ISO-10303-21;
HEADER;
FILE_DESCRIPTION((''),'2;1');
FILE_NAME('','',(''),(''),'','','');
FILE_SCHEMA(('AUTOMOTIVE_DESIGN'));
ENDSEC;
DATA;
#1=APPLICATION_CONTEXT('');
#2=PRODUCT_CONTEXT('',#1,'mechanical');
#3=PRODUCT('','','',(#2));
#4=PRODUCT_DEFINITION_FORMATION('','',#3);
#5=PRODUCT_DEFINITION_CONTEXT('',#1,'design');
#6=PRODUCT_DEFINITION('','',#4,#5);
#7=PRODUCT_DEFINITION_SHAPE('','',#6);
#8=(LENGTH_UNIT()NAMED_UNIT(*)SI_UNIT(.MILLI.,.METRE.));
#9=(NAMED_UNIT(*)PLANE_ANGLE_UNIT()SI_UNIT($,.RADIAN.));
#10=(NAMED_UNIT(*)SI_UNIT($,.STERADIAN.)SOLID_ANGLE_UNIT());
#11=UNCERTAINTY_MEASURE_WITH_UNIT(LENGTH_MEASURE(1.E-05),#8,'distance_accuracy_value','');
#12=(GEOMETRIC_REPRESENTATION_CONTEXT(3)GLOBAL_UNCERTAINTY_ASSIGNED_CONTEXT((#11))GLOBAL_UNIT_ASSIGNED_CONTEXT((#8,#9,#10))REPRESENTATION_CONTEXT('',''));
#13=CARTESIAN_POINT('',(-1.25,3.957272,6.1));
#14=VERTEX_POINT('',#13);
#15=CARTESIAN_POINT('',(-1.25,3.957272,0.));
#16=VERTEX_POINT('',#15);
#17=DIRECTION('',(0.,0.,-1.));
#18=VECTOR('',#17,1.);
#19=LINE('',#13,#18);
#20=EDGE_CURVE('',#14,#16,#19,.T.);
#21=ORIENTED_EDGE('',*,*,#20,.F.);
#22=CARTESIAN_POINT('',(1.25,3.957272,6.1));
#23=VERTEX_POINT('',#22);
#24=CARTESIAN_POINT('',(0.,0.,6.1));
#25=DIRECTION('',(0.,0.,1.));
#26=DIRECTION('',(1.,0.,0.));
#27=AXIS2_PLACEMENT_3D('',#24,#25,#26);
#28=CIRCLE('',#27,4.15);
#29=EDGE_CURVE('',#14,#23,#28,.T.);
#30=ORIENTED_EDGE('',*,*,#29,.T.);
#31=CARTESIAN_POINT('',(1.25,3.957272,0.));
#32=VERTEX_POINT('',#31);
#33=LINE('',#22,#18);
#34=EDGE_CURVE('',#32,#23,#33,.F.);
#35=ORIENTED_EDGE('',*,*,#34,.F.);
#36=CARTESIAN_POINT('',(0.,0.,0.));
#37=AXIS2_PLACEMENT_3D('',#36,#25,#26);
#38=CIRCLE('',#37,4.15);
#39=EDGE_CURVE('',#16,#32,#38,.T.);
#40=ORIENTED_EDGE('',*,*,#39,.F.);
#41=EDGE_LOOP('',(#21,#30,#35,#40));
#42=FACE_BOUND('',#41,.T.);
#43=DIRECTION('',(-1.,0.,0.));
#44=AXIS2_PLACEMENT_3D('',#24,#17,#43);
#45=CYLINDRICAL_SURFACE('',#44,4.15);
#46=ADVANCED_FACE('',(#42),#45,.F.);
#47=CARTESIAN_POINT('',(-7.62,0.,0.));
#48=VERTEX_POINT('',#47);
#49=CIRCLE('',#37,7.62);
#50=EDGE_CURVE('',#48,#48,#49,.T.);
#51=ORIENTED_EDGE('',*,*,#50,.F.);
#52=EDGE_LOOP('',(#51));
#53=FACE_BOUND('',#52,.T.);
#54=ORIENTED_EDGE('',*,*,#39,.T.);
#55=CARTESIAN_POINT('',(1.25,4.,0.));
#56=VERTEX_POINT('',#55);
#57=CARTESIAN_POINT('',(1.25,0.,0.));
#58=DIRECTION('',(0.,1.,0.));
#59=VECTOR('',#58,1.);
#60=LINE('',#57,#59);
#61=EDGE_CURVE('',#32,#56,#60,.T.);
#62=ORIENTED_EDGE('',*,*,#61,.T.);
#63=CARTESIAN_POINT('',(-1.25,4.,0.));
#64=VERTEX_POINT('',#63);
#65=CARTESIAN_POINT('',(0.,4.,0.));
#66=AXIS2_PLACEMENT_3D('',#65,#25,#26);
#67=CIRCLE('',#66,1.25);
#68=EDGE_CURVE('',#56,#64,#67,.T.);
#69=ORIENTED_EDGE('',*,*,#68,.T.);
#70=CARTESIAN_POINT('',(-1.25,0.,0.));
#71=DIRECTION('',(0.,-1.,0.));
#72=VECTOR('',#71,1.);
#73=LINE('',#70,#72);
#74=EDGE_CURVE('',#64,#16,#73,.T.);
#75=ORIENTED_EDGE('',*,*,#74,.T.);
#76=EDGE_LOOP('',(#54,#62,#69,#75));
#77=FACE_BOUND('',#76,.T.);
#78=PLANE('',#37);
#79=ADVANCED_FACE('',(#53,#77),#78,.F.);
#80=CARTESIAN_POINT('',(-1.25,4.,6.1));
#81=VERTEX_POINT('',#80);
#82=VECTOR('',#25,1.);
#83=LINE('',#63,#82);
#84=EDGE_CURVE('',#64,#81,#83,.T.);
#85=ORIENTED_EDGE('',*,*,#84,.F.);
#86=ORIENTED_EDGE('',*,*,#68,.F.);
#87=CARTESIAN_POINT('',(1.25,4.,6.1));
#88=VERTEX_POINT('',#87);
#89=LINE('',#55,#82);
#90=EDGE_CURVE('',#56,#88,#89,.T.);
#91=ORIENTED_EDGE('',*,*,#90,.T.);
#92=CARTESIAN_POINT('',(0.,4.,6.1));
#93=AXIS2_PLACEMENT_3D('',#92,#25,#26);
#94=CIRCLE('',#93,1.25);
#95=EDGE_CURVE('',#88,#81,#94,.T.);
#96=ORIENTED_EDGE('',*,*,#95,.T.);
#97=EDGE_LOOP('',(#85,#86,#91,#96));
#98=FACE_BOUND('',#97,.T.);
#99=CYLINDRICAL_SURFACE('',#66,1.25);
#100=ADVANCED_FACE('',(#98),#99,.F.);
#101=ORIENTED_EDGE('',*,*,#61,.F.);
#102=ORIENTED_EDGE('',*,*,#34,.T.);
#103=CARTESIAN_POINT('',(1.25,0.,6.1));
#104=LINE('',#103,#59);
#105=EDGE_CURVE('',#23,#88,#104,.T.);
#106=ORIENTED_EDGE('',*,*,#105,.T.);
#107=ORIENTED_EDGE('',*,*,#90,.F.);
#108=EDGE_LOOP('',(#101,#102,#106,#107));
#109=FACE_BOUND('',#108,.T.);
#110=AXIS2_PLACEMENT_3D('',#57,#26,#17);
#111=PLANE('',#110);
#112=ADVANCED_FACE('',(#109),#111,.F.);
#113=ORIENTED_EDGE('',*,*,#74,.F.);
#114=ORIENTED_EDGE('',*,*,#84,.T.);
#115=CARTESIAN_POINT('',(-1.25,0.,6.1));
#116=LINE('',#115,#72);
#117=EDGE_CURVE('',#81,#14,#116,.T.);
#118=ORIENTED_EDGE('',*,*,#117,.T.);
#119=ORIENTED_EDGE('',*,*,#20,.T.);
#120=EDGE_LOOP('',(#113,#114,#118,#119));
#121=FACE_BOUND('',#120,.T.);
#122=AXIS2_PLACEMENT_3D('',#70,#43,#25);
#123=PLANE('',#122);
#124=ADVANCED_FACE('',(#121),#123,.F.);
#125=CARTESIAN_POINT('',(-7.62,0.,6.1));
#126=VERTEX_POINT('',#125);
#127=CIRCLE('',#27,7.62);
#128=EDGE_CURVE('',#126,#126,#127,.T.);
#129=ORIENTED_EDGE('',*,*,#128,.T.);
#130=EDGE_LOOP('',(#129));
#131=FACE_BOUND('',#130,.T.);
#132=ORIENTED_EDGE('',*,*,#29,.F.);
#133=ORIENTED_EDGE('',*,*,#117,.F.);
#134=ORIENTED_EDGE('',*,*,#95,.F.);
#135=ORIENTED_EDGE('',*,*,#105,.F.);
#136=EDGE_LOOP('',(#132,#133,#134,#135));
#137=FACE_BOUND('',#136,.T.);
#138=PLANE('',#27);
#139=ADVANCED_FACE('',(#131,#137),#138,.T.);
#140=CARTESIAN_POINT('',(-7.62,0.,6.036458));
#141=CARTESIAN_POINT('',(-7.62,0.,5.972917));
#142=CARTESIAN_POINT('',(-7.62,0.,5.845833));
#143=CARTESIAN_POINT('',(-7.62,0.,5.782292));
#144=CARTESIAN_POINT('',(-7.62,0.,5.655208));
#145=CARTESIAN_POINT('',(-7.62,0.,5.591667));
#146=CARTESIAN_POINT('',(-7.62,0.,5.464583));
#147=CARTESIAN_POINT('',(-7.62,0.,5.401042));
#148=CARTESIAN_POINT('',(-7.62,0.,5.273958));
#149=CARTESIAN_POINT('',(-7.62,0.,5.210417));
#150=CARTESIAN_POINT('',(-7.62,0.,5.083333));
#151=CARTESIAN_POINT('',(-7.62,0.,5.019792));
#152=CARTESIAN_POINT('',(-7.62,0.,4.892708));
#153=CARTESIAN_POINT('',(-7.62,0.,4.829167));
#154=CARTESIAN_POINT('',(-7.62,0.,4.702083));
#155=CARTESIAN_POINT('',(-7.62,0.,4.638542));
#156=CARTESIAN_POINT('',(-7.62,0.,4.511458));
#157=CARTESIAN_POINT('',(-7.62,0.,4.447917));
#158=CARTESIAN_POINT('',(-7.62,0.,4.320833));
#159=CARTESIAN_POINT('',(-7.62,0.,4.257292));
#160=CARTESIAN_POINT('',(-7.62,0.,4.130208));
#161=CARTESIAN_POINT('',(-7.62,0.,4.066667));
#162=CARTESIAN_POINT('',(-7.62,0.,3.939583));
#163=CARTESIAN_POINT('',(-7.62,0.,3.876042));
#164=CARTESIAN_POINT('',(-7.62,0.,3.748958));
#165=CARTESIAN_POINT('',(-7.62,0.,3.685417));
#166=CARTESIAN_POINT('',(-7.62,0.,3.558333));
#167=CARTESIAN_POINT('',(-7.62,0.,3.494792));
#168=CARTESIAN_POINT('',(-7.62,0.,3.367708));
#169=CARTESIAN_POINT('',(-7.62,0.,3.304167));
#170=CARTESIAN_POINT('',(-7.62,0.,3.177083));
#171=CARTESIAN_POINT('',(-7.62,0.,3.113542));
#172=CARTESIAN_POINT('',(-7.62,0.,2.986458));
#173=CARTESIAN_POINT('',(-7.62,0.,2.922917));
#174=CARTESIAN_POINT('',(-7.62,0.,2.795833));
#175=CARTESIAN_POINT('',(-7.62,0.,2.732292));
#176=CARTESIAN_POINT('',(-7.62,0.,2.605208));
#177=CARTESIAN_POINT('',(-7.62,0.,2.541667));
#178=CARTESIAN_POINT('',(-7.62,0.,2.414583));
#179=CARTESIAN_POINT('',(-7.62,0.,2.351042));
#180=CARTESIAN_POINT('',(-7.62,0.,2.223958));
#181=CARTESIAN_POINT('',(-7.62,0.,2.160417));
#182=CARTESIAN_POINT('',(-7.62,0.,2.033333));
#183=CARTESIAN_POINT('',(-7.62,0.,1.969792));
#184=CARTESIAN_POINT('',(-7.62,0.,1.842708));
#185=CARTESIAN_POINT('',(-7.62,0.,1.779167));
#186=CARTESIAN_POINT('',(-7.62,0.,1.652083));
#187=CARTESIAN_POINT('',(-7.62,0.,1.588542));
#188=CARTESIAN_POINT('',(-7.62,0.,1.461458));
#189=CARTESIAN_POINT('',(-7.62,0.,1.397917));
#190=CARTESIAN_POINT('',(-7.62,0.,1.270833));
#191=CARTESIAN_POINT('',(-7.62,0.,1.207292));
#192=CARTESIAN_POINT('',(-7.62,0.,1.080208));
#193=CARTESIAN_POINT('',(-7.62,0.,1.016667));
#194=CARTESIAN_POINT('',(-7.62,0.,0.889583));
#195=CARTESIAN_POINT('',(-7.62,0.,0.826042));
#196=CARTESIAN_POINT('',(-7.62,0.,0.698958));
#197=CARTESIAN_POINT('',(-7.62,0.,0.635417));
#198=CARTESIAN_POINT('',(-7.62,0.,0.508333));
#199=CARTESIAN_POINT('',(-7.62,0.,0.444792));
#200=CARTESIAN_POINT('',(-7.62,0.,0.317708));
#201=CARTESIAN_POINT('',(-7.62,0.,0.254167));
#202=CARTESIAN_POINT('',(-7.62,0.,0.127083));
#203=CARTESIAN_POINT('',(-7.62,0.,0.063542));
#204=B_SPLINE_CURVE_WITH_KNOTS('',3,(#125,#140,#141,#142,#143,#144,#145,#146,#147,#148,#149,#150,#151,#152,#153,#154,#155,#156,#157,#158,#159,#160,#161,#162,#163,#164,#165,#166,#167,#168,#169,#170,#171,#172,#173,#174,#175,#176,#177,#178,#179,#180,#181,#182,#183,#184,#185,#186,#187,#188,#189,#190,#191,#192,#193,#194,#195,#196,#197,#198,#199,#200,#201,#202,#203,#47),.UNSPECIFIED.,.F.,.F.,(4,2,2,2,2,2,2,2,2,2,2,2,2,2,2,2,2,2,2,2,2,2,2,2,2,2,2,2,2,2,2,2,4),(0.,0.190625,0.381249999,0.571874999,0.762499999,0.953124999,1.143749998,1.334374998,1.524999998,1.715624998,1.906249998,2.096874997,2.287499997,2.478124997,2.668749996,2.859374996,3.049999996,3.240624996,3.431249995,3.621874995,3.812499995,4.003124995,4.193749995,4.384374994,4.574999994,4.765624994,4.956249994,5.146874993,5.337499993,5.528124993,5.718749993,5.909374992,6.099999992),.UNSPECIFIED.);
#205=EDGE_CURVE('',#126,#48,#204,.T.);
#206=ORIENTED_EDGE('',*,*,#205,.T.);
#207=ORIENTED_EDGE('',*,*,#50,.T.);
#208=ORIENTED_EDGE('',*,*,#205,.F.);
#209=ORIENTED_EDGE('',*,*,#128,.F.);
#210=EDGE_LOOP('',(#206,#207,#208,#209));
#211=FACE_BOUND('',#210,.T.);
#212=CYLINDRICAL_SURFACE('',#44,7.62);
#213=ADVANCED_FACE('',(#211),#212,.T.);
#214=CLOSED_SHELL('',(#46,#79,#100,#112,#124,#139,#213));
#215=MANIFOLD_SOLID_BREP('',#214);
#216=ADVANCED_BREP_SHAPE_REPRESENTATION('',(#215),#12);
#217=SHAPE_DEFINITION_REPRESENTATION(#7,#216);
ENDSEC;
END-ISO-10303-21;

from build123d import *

# Parameters (mm, degrees)
CROQUIS1_R              = 7.62
CROQUIS1_R_2            = 4.15
SALIENTE_EXTRUIR1_DEPTH = 6.099999992
CORTAR_EXTRUIR1_DEPTH   = 13.383004478


with BuildPart() as part:
    # Croquis1 → Saliente-Extruir1 (new body)
    with BuildSketch(Plane.XY):
        with Locations(Location((0, 0, 0), (0, 0, 180))):
            Circle(CROQUIS1_R)
        with Locations(Location((0, 0, 0), (0, 0, 180))):
            Circle(CROQUIS1_R_2, mode=Mode.SUBTRACT)
    extrude(amount=SALIENTE_EXTRUIR1_DEPTH)

    # Croquis2 → Cortar-Extruir1 (cut, through all)
    with BuildSketch(Plane.XY.offset(6.099999992)):
        with BuildLine():
            Line((-1.25, 0), (-1.25, 4))
            ThreePointArc((-1.25, 4), (0, 5.25), (1.25, 4))
            Line((1.25, 4), (1.25, 0))
            ThreePointArc((1.25, 0), (0, -1.25), (-1.25, 0))
        make_face()
    extrude(amount=-CORTAR_EXTRUIR1_DEPTH, mode=Mode.SUBTRACT)


solid = part.part
